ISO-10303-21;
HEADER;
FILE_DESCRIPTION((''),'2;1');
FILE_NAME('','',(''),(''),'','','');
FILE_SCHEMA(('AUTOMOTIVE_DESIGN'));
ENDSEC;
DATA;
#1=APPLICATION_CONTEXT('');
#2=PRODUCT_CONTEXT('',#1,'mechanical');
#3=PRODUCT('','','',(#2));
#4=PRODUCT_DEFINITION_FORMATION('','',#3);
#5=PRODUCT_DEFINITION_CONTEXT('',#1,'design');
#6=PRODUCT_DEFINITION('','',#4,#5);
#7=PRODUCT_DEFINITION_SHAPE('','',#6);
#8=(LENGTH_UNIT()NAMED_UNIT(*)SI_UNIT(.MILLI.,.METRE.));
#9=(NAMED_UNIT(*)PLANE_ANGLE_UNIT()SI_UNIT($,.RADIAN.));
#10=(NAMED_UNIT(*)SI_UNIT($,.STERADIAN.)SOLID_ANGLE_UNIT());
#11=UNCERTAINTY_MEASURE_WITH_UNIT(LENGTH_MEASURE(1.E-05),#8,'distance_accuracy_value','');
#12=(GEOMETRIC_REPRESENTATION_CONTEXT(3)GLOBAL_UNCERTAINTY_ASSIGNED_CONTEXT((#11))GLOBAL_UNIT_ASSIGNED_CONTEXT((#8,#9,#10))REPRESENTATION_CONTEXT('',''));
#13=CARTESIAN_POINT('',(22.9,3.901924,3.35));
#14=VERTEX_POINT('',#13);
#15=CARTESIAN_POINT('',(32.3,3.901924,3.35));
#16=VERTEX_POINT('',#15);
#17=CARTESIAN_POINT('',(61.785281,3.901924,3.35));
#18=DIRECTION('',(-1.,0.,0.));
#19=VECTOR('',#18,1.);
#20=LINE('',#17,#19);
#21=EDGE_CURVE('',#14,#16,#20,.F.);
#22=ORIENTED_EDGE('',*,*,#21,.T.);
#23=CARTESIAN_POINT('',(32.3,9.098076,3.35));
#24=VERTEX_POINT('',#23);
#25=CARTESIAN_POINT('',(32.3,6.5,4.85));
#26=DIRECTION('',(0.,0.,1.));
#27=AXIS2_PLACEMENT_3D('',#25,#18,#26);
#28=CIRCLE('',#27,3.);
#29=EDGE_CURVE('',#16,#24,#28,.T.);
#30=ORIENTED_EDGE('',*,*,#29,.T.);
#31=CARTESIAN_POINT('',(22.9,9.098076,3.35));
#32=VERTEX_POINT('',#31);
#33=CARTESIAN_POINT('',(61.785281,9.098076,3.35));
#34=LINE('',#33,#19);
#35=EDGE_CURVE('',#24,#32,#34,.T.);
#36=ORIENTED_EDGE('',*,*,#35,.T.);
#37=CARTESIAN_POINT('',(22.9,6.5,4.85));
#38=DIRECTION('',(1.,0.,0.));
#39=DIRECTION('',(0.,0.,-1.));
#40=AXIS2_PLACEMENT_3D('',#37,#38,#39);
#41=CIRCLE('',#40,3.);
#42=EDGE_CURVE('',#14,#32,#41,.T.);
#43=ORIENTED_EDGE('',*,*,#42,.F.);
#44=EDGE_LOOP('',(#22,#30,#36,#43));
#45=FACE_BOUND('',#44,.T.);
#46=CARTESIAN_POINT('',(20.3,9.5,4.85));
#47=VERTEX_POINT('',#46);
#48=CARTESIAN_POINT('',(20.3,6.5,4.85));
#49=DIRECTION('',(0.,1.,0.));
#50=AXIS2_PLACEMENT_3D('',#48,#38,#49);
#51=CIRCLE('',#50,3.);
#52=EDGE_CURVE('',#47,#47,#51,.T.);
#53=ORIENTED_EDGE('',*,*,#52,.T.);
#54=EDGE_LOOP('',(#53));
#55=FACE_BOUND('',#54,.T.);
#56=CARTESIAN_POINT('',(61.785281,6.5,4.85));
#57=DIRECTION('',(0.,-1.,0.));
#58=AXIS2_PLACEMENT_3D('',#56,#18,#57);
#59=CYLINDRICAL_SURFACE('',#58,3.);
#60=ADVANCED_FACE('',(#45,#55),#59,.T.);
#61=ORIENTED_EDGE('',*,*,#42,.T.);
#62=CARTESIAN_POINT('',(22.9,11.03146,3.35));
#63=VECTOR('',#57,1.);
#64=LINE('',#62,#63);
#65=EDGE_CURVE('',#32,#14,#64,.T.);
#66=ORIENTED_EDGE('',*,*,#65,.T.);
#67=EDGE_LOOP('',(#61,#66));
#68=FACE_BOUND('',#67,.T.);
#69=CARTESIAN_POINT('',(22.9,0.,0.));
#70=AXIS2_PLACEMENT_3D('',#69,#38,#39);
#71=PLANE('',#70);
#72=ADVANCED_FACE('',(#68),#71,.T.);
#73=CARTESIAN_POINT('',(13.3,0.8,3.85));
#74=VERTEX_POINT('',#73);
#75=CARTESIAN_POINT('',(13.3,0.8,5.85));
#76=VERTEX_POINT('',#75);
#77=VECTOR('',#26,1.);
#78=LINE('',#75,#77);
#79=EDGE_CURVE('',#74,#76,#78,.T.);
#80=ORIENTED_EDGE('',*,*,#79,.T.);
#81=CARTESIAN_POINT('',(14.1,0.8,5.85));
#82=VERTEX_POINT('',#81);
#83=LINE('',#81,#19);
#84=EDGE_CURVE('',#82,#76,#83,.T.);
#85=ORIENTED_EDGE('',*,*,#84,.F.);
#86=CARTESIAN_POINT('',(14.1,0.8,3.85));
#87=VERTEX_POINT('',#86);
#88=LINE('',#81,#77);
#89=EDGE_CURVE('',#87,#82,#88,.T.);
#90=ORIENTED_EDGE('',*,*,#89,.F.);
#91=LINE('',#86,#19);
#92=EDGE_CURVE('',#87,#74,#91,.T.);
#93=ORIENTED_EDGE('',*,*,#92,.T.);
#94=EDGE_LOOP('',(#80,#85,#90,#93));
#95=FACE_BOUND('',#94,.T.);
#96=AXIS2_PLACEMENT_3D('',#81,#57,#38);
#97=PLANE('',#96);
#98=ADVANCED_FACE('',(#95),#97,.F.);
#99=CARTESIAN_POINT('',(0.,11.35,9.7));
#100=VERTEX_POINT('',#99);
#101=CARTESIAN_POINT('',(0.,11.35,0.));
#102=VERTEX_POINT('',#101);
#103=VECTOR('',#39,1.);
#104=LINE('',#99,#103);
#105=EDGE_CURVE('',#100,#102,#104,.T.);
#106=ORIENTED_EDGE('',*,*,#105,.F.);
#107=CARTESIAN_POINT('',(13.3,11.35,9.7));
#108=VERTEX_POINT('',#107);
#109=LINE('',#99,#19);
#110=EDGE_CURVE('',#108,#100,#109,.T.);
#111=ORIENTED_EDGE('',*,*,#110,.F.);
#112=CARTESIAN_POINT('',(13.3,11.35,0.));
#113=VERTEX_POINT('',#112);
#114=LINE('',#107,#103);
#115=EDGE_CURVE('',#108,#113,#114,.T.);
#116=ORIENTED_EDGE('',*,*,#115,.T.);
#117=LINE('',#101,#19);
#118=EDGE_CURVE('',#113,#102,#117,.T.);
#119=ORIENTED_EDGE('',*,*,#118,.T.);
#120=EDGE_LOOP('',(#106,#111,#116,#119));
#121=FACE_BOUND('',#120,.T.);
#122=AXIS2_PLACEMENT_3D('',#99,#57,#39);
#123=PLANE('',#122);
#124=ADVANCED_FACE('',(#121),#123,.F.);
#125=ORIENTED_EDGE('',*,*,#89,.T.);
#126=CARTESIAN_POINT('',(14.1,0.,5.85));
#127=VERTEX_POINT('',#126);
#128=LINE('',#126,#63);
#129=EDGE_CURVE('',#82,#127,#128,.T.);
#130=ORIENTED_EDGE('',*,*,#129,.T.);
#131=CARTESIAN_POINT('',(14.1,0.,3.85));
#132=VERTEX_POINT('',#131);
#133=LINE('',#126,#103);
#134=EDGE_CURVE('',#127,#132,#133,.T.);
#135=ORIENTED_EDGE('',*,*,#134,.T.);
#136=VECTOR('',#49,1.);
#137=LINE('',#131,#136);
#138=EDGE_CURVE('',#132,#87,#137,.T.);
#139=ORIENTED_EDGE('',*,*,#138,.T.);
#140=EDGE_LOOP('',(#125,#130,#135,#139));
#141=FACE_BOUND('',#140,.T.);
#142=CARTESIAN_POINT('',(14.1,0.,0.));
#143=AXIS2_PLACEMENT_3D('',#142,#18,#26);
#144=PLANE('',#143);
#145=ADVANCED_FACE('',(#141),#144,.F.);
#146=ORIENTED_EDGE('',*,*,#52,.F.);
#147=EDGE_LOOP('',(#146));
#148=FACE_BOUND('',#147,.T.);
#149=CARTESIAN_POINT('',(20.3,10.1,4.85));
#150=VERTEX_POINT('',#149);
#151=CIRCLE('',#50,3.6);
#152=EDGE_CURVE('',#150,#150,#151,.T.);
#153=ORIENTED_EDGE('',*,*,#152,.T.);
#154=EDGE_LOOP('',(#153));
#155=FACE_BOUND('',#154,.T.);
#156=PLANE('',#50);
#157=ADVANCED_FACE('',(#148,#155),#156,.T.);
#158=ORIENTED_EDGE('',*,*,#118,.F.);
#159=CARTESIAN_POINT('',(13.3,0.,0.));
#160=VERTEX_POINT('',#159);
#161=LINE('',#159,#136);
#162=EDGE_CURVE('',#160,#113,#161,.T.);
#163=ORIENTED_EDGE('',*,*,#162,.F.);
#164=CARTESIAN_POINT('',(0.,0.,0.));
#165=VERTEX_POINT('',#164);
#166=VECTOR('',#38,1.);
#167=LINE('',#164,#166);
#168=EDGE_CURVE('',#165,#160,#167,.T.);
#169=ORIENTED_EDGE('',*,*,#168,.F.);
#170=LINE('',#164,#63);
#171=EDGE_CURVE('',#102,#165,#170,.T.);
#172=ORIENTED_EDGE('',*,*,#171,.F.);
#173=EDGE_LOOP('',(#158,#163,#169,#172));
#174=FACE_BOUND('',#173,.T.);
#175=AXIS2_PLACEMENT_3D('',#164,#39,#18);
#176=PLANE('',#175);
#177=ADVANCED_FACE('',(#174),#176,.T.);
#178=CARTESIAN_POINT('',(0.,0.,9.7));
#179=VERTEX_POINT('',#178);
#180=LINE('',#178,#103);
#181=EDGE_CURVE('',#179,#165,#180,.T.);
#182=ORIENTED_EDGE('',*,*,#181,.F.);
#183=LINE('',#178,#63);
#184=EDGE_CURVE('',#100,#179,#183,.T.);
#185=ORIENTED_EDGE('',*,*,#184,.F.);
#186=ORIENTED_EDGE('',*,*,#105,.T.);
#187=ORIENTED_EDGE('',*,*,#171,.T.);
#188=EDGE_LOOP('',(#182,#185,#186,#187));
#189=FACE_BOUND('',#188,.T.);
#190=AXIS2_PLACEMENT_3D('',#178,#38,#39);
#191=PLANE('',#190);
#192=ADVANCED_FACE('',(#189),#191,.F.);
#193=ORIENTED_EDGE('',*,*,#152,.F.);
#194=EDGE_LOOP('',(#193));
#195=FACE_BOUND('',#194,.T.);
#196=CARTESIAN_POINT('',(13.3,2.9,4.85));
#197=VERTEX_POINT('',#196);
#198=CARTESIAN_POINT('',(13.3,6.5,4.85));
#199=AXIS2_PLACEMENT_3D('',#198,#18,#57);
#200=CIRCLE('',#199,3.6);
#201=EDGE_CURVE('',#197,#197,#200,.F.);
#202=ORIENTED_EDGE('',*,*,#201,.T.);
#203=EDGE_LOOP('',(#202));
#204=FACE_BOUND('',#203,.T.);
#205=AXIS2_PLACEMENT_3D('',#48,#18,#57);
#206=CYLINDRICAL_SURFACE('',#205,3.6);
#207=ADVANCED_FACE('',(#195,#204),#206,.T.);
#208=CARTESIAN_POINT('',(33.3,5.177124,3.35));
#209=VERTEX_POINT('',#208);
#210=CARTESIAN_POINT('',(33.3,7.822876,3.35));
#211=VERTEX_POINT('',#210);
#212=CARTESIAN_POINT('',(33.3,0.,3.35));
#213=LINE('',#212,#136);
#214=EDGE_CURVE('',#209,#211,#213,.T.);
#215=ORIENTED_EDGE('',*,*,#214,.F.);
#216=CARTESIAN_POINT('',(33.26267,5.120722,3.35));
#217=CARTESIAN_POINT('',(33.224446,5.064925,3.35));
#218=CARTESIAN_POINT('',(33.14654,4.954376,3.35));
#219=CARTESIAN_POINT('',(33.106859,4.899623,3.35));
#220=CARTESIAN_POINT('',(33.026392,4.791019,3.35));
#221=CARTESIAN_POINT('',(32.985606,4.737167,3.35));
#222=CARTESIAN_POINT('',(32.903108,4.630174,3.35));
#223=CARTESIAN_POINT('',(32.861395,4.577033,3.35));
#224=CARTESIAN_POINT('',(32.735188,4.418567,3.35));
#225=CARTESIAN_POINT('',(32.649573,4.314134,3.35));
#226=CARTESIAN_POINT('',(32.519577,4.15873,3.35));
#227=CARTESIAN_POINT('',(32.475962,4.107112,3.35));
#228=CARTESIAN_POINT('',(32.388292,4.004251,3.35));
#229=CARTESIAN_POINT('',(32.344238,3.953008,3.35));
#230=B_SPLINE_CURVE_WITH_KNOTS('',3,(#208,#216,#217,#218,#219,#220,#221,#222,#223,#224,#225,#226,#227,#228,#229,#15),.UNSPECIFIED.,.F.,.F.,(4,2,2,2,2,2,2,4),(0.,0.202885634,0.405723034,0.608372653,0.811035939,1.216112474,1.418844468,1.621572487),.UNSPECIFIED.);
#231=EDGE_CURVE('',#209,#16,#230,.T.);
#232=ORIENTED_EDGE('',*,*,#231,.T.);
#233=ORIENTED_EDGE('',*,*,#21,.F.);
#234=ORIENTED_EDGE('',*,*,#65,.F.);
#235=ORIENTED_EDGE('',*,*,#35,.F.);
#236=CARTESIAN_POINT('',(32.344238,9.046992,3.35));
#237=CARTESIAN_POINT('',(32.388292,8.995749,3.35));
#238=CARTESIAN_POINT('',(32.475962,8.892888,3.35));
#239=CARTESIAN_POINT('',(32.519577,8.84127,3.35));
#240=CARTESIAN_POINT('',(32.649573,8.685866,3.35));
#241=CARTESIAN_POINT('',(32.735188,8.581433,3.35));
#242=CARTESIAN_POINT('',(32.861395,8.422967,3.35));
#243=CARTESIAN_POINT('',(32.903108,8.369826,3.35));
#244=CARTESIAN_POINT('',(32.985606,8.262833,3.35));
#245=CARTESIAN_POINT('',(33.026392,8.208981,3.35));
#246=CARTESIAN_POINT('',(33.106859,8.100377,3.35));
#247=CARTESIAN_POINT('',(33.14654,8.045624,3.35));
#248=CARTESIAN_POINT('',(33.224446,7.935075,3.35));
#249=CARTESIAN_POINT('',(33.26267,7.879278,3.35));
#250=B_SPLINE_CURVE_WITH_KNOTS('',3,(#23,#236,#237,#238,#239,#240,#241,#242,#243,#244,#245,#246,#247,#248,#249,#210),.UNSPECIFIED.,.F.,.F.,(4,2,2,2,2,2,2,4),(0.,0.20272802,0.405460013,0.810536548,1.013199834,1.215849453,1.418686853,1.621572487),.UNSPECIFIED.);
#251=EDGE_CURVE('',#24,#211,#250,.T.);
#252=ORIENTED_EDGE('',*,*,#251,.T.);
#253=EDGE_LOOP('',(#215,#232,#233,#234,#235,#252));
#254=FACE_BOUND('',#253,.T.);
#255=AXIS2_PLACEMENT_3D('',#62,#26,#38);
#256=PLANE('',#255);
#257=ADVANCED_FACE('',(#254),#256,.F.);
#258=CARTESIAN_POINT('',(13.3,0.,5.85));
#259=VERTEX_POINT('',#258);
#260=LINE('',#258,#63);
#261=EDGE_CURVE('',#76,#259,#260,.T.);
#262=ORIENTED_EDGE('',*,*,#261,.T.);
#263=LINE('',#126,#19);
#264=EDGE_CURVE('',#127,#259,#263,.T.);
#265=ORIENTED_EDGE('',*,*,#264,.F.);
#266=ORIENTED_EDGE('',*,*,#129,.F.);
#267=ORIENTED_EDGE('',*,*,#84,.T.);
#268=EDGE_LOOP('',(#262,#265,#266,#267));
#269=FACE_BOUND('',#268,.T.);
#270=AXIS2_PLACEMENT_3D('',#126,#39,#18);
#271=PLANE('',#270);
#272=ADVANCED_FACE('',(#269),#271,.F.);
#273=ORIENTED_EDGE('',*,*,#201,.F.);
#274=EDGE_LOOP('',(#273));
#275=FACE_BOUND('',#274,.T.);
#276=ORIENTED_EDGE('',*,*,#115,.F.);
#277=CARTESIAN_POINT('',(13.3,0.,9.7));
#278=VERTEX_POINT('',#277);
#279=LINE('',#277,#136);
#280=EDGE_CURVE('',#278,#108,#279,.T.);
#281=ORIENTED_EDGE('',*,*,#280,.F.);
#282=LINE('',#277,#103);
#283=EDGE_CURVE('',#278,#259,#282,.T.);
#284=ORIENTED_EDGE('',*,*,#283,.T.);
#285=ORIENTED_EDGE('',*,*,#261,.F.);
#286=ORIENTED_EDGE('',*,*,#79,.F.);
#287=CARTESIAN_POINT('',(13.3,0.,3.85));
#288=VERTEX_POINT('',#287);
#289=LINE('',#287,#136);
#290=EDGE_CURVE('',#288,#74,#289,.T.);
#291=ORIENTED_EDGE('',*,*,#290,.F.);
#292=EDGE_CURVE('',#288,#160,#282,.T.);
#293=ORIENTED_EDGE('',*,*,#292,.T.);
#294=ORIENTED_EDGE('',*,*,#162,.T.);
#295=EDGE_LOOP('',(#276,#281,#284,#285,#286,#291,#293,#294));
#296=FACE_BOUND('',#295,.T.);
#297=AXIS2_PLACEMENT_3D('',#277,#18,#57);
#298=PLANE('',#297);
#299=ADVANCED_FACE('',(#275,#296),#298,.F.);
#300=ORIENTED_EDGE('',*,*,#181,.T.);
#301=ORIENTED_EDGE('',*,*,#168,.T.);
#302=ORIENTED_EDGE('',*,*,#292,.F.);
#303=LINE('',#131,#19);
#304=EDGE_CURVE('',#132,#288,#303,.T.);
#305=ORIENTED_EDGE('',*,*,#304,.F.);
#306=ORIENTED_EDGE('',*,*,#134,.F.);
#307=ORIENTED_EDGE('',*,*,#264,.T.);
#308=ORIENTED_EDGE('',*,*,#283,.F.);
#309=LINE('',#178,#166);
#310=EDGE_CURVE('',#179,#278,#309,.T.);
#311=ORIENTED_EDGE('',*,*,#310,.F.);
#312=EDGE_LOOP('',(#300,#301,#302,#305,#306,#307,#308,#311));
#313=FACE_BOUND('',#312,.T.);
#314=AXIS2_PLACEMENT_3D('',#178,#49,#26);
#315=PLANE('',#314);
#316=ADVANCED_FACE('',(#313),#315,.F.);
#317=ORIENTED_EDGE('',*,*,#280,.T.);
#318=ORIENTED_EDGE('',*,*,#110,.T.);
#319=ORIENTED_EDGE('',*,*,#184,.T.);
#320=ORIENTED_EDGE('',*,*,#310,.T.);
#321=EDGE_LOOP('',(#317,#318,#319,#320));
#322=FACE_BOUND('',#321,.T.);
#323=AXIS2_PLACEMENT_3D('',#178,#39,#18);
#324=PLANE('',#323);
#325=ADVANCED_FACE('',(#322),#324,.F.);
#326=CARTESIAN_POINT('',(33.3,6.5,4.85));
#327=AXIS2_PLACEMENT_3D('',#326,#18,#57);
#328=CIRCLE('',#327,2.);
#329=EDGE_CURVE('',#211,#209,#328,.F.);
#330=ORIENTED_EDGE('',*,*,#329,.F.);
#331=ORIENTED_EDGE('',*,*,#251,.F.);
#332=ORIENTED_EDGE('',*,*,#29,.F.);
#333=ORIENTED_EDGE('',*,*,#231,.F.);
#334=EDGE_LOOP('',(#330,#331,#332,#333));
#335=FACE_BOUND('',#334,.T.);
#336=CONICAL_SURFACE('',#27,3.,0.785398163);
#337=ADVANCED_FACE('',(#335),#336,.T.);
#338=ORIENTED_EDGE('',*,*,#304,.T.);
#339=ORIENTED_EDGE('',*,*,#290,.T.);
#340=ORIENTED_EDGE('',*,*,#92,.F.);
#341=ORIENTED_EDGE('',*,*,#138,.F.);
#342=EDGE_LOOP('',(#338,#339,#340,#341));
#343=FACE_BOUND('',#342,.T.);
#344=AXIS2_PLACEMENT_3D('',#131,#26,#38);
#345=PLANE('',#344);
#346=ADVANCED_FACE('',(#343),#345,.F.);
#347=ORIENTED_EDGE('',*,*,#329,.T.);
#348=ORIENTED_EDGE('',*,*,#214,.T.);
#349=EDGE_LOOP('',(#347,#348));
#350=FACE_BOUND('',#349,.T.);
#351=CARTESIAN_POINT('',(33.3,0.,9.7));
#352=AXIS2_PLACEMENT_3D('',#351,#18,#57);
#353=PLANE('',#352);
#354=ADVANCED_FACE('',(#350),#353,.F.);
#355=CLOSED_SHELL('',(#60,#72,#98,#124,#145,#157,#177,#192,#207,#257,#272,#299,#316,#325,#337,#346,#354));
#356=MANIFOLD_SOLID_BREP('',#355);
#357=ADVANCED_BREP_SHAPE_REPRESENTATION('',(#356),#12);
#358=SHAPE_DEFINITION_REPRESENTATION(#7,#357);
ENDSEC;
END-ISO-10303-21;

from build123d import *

# Parameters (mm, degrees)
SKETCH1_W           = 13.3
SKETCH1_H           = 11.35
BOSS_EXTRUDE1_DEPTH = 9.7
SKETCH2_R           = 3.6
BOSS_EXTRUDE2_DEPTH = 7
SKETCH3_R           = 3
BOSS_EXTRUDE4_DEPTH = 13
SKETCH4_W           = 2
SKETCH4_H           = 0.8
BOSS_EXTRUDE5_DEPTH = 0.8
SKETCH5_W           = 9.645805708
SKETCH5_H           = 9.062919638
CUT_EXTRUDE1_DEPTH  = 10.4
CHAMFER1_SIZE       = 1


with BuildPart() as part:
    # Sketch1 → Boss-Extrude1 (new body)
    with BuildSketch(Plane.XY):
        with Locations((6.65, 5.675)):
            Rectangle(SKETCH1_W, SKETCH1_H)
    extrude(amount=BOSS_EXTRUDE1_DEPTH)

    # Sketch2 → Boss-Extrude2 (add)
    with BuildSketch(Plane(origin=(13.3, 0, 0), x_dir=(0, 0, -1), z_dir=(1, 0, 0))):
        with Locations(Location((-4.85, 6.5, 0), (0, 0, 270))):  # turned: the seam where the file's is
            Circle(SKETCH2_R)
    extrude(amount=BOSS_EXTRUDE2_DEPTH)

    # Sketch3 → Boss-Extrude4 (add)
    with BuildSketch(Plane(origin=(20.3, 0, 0), x_dir=(0, 0, -1), z_dir=(1, 0, 0))):
        with Locations(Location((-4.85, 6.5, 0), (0, 0, 270))):  # turned: the seam where the file's is
            Circle(SKETCH3_R)
    extrude(amount=BOSS_EXTRUDE4_DEPTH)

    # Sketch4 → Boss-Extrude5 (add)
    with BuildSketch(Plane(origin=(13.3, 0, 0), x_dir=(0, 0, -1), z_dir=(1, 0, 0))):
        with Locations((-4.85, 0.4)):
            Rectangle(SKETCH4_W, SKETCH4_H)
    extrude(amount=BOSS_EXTRUDE5_DEPTH)

    # Sketch5 → Cut-Extrude1 (cut)
    with BuildSketch(Plane(origin=(33.3, 0, 0), x_dir=(0, 0, -1), z_dir=(1, 0, 0))):
        with Locations((1.472902854, 6.5)):
            Rectangle(SKETCH5_W, SKETCH5_H)
    extrude(amount=-CUT_EXTRUDE1_DEPTH, mode=Mode.SUBTRACT)

    # Chamfer1
    chamfer1_edges = [part.edges().sort_by_distance(p)[0] for p in [
        (33.3, 7.276457135, 7.747777479),
    ]]
    chamfer(chamfer1_edges, length=CHAMFER1_SIZE)


solid = part.part
